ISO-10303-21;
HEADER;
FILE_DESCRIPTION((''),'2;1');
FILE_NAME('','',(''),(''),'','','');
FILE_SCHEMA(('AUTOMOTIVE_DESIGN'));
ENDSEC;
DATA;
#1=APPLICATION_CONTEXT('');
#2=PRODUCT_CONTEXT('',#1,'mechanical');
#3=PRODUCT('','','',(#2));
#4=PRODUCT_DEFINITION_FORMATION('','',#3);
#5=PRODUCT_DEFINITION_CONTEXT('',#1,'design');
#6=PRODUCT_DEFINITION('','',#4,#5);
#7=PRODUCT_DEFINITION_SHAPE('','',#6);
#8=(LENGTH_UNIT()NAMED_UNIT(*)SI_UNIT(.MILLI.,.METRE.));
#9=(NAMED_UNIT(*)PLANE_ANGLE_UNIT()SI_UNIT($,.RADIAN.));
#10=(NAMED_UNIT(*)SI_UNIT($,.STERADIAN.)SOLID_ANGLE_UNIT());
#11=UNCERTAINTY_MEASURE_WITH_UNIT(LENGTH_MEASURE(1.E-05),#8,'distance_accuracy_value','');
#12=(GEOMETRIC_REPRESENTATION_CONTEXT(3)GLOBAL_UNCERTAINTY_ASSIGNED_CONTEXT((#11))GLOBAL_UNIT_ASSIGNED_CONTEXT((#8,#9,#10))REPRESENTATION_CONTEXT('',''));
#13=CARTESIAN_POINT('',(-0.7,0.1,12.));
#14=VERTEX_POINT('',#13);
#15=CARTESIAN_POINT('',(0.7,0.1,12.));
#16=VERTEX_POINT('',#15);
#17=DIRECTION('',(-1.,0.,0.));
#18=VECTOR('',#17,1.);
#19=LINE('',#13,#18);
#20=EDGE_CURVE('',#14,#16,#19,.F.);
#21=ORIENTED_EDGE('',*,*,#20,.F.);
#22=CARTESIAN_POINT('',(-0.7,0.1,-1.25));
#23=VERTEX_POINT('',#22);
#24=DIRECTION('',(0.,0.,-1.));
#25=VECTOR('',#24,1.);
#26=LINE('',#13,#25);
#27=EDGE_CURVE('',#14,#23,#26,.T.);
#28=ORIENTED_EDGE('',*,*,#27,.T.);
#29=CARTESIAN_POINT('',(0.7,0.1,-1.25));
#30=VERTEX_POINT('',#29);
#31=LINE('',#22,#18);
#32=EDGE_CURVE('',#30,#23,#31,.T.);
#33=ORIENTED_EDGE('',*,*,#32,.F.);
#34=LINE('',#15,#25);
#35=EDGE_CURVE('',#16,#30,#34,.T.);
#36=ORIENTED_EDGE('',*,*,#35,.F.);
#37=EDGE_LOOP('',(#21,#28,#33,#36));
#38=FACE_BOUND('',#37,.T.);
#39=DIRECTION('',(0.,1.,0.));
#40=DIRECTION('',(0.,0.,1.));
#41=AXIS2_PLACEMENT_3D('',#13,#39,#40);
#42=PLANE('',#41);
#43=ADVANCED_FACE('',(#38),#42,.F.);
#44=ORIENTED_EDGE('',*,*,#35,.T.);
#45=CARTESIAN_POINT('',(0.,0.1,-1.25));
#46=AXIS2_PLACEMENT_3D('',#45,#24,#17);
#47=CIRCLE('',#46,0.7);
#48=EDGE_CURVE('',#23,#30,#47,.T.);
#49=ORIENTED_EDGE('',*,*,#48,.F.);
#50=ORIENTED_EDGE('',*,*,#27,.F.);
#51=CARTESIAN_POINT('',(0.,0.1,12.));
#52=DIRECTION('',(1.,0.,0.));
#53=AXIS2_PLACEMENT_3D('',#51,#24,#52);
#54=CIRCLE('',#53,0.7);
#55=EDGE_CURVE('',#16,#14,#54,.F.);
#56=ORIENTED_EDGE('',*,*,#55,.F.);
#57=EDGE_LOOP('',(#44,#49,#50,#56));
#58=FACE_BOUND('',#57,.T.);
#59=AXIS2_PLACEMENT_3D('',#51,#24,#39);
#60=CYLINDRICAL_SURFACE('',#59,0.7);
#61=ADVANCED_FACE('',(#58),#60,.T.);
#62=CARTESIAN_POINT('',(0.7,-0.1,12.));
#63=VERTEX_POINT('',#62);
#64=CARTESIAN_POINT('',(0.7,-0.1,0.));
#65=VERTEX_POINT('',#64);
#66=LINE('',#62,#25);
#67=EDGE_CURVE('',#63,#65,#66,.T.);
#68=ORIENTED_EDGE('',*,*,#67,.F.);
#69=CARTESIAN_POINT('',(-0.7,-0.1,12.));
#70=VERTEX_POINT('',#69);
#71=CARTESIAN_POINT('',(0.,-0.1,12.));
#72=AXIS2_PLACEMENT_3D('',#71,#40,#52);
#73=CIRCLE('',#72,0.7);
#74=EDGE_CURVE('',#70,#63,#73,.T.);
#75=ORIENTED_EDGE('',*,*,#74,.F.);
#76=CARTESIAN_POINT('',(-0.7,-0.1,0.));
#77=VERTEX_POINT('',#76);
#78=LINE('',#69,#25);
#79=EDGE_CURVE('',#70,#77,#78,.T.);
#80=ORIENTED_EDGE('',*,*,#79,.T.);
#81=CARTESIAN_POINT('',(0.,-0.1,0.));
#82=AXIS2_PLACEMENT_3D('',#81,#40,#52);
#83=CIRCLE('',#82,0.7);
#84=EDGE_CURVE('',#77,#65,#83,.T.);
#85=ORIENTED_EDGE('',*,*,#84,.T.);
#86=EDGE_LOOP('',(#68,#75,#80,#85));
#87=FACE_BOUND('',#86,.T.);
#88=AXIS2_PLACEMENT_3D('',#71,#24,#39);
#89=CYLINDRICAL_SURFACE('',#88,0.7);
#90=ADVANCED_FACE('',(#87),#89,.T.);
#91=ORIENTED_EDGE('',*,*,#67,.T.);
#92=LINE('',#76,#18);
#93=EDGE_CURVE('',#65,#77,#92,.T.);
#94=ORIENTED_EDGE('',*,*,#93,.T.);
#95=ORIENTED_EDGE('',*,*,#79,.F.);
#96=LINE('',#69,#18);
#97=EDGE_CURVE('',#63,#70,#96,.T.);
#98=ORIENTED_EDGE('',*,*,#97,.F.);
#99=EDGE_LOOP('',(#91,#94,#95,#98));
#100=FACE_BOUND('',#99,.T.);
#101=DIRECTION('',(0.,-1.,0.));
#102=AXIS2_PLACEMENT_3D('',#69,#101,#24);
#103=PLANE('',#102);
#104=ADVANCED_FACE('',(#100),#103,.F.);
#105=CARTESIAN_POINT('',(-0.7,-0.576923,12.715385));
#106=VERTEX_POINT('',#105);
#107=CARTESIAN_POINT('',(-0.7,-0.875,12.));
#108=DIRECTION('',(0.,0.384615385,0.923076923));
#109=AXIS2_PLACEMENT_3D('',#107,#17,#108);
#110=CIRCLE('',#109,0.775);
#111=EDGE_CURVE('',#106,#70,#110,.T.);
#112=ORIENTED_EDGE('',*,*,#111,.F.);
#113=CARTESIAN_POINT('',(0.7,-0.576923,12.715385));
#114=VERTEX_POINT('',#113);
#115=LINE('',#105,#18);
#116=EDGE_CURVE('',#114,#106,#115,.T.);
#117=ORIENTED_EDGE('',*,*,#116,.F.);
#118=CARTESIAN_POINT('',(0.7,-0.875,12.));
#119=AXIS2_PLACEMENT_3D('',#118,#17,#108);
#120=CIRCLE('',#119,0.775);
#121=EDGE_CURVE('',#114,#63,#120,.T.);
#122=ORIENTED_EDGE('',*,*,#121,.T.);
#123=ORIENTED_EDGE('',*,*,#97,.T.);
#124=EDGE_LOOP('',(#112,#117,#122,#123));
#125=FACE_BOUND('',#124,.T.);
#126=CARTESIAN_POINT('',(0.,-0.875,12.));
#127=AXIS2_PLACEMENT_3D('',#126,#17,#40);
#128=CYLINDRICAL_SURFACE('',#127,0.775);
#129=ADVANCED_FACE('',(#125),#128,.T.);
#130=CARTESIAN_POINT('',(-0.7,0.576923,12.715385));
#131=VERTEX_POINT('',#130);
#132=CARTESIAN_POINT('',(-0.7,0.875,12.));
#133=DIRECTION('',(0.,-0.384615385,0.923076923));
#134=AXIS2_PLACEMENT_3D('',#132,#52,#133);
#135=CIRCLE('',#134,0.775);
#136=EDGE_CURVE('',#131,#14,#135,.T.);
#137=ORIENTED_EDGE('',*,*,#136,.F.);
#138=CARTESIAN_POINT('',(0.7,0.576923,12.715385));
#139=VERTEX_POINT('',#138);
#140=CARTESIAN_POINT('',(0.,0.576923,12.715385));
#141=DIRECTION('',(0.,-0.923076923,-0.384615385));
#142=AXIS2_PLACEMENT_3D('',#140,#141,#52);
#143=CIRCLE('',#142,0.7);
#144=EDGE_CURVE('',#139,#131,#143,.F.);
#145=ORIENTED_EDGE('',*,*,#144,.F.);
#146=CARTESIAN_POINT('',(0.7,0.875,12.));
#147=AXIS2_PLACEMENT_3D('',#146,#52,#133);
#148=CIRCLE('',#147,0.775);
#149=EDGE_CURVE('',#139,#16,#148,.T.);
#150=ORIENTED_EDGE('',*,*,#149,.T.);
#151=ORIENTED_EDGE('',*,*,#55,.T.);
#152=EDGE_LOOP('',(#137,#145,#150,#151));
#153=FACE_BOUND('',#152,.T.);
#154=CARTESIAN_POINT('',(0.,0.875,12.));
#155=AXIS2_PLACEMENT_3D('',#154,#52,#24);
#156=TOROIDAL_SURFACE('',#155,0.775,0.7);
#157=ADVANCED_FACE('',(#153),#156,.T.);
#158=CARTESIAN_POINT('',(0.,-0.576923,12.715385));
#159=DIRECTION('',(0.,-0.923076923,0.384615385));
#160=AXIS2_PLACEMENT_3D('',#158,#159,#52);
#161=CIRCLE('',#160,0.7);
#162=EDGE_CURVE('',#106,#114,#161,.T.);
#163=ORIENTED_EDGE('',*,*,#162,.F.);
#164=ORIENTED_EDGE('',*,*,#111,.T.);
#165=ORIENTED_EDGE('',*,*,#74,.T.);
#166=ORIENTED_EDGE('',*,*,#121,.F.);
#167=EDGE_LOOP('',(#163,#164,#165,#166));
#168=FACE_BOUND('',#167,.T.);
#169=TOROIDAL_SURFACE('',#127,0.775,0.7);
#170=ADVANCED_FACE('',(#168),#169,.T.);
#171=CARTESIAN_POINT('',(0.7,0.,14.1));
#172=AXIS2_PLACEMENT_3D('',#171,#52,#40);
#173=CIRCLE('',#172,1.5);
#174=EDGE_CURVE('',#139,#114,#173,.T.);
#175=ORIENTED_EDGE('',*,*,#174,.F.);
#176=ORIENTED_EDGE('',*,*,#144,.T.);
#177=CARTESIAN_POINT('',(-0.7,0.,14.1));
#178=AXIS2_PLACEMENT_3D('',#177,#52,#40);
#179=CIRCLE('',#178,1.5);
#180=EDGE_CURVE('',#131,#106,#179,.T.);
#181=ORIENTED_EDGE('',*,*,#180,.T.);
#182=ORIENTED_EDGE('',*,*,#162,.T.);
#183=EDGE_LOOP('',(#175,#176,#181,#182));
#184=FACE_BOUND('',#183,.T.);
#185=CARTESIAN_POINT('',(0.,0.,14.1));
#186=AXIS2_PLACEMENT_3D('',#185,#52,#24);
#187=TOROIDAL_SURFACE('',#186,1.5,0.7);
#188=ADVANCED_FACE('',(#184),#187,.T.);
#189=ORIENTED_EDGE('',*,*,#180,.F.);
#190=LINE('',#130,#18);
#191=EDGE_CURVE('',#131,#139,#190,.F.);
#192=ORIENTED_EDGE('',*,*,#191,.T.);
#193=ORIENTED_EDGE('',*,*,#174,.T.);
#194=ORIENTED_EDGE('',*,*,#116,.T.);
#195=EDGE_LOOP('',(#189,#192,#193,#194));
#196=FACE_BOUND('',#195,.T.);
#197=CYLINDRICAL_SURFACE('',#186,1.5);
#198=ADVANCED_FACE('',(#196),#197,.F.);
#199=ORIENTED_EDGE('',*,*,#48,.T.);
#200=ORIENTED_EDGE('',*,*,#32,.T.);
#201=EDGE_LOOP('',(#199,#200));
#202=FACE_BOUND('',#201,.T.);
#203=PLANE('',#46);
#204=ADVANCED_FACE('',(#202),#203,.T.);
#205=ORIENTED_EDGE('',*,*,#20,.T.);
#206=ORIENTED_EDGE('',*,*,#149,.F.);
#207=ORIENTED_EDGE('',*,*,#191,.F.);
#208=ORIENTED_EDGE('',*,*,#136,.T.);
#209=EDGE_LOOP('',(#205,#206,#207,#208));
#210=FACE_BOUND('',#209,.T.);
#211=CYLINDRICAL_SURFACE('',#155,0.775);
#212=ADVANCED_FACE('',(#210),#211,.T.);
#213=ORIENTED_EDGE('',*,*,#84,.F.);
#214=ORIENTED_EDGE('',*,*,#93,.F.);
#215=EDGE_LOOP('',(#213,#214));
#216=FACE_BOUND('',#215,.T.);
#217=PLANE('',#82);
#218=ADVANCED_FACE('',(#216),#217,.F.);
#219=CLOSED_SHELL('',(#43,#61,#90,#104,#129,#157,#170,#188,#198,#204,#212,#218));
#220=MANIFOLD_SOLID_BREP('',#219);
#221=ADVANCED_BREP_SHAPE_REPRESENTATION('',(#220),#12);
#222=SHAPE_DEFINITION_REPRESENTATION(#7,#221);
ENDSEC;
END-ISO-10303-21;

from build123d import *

# Parameters (mm, degrees)
DODANIE_WYCI_GNI_CIE1_DEPTH = 1.25


with BuildPart() as part:
    # Wyciągnięcie po ścieżce1: sweep along a path in Szkic1
    with BuildLine(Plane(origin=(0, 0, 0), x_dir=(0, 0, -1), z_dir=(1, 0, 0))) as wyci_gni_cie_po_cie_ce1_path:
        Line((0, 0), (-12, 0))
        ThreePointArc((-12, 0), (-12.485362672, -0.146955992), (-12.807692308, -0.538461538))
        ThreePointArc((-12.807692308, -0.538461538), (-14.374562589, -1.372812946), (-15.5, 0))
    # Szkic2 → Wyciągnięcie po ścieżce1 (sweep)
    with BuildSketch(Plane.XY):
        with BuildLine():
            Line((-0.7, -0.1), (0.7, -0.1))
            ThreePointArc((0.7, -0.1), (0, -0.8), (-0.7, -0.1))
        make_face()
    wyci_gni_cie_po_cie_ce1 = sweep(path=wyci_gni_cie_po_cie_ce1_path.line)

    # Lustro1: Wyciągnięcie po ścieżce1 across plane
    add(wyci_gni_cie_po_cie_ce1.mirror(Plane.ZX))

    # Szkic3 → Dodanie-wyciągnięcie1 (add)
    with BuildSketch(Plane(origin=(0, 0, 0), x_dir=(-1, 0, 0), z_dir=(0, 0, -1))):
        with BuildLine():
            Line((0.7, 0.1), (-0.7, 0.1))
            ThreePointArc((-0.7, 0.1), (0, 0.8), (0.7, 0.1))
        make_face()
    extrude(amount=DODANIE_WYCI_GNI_CIE1_DEPTH)


solid = part.part
